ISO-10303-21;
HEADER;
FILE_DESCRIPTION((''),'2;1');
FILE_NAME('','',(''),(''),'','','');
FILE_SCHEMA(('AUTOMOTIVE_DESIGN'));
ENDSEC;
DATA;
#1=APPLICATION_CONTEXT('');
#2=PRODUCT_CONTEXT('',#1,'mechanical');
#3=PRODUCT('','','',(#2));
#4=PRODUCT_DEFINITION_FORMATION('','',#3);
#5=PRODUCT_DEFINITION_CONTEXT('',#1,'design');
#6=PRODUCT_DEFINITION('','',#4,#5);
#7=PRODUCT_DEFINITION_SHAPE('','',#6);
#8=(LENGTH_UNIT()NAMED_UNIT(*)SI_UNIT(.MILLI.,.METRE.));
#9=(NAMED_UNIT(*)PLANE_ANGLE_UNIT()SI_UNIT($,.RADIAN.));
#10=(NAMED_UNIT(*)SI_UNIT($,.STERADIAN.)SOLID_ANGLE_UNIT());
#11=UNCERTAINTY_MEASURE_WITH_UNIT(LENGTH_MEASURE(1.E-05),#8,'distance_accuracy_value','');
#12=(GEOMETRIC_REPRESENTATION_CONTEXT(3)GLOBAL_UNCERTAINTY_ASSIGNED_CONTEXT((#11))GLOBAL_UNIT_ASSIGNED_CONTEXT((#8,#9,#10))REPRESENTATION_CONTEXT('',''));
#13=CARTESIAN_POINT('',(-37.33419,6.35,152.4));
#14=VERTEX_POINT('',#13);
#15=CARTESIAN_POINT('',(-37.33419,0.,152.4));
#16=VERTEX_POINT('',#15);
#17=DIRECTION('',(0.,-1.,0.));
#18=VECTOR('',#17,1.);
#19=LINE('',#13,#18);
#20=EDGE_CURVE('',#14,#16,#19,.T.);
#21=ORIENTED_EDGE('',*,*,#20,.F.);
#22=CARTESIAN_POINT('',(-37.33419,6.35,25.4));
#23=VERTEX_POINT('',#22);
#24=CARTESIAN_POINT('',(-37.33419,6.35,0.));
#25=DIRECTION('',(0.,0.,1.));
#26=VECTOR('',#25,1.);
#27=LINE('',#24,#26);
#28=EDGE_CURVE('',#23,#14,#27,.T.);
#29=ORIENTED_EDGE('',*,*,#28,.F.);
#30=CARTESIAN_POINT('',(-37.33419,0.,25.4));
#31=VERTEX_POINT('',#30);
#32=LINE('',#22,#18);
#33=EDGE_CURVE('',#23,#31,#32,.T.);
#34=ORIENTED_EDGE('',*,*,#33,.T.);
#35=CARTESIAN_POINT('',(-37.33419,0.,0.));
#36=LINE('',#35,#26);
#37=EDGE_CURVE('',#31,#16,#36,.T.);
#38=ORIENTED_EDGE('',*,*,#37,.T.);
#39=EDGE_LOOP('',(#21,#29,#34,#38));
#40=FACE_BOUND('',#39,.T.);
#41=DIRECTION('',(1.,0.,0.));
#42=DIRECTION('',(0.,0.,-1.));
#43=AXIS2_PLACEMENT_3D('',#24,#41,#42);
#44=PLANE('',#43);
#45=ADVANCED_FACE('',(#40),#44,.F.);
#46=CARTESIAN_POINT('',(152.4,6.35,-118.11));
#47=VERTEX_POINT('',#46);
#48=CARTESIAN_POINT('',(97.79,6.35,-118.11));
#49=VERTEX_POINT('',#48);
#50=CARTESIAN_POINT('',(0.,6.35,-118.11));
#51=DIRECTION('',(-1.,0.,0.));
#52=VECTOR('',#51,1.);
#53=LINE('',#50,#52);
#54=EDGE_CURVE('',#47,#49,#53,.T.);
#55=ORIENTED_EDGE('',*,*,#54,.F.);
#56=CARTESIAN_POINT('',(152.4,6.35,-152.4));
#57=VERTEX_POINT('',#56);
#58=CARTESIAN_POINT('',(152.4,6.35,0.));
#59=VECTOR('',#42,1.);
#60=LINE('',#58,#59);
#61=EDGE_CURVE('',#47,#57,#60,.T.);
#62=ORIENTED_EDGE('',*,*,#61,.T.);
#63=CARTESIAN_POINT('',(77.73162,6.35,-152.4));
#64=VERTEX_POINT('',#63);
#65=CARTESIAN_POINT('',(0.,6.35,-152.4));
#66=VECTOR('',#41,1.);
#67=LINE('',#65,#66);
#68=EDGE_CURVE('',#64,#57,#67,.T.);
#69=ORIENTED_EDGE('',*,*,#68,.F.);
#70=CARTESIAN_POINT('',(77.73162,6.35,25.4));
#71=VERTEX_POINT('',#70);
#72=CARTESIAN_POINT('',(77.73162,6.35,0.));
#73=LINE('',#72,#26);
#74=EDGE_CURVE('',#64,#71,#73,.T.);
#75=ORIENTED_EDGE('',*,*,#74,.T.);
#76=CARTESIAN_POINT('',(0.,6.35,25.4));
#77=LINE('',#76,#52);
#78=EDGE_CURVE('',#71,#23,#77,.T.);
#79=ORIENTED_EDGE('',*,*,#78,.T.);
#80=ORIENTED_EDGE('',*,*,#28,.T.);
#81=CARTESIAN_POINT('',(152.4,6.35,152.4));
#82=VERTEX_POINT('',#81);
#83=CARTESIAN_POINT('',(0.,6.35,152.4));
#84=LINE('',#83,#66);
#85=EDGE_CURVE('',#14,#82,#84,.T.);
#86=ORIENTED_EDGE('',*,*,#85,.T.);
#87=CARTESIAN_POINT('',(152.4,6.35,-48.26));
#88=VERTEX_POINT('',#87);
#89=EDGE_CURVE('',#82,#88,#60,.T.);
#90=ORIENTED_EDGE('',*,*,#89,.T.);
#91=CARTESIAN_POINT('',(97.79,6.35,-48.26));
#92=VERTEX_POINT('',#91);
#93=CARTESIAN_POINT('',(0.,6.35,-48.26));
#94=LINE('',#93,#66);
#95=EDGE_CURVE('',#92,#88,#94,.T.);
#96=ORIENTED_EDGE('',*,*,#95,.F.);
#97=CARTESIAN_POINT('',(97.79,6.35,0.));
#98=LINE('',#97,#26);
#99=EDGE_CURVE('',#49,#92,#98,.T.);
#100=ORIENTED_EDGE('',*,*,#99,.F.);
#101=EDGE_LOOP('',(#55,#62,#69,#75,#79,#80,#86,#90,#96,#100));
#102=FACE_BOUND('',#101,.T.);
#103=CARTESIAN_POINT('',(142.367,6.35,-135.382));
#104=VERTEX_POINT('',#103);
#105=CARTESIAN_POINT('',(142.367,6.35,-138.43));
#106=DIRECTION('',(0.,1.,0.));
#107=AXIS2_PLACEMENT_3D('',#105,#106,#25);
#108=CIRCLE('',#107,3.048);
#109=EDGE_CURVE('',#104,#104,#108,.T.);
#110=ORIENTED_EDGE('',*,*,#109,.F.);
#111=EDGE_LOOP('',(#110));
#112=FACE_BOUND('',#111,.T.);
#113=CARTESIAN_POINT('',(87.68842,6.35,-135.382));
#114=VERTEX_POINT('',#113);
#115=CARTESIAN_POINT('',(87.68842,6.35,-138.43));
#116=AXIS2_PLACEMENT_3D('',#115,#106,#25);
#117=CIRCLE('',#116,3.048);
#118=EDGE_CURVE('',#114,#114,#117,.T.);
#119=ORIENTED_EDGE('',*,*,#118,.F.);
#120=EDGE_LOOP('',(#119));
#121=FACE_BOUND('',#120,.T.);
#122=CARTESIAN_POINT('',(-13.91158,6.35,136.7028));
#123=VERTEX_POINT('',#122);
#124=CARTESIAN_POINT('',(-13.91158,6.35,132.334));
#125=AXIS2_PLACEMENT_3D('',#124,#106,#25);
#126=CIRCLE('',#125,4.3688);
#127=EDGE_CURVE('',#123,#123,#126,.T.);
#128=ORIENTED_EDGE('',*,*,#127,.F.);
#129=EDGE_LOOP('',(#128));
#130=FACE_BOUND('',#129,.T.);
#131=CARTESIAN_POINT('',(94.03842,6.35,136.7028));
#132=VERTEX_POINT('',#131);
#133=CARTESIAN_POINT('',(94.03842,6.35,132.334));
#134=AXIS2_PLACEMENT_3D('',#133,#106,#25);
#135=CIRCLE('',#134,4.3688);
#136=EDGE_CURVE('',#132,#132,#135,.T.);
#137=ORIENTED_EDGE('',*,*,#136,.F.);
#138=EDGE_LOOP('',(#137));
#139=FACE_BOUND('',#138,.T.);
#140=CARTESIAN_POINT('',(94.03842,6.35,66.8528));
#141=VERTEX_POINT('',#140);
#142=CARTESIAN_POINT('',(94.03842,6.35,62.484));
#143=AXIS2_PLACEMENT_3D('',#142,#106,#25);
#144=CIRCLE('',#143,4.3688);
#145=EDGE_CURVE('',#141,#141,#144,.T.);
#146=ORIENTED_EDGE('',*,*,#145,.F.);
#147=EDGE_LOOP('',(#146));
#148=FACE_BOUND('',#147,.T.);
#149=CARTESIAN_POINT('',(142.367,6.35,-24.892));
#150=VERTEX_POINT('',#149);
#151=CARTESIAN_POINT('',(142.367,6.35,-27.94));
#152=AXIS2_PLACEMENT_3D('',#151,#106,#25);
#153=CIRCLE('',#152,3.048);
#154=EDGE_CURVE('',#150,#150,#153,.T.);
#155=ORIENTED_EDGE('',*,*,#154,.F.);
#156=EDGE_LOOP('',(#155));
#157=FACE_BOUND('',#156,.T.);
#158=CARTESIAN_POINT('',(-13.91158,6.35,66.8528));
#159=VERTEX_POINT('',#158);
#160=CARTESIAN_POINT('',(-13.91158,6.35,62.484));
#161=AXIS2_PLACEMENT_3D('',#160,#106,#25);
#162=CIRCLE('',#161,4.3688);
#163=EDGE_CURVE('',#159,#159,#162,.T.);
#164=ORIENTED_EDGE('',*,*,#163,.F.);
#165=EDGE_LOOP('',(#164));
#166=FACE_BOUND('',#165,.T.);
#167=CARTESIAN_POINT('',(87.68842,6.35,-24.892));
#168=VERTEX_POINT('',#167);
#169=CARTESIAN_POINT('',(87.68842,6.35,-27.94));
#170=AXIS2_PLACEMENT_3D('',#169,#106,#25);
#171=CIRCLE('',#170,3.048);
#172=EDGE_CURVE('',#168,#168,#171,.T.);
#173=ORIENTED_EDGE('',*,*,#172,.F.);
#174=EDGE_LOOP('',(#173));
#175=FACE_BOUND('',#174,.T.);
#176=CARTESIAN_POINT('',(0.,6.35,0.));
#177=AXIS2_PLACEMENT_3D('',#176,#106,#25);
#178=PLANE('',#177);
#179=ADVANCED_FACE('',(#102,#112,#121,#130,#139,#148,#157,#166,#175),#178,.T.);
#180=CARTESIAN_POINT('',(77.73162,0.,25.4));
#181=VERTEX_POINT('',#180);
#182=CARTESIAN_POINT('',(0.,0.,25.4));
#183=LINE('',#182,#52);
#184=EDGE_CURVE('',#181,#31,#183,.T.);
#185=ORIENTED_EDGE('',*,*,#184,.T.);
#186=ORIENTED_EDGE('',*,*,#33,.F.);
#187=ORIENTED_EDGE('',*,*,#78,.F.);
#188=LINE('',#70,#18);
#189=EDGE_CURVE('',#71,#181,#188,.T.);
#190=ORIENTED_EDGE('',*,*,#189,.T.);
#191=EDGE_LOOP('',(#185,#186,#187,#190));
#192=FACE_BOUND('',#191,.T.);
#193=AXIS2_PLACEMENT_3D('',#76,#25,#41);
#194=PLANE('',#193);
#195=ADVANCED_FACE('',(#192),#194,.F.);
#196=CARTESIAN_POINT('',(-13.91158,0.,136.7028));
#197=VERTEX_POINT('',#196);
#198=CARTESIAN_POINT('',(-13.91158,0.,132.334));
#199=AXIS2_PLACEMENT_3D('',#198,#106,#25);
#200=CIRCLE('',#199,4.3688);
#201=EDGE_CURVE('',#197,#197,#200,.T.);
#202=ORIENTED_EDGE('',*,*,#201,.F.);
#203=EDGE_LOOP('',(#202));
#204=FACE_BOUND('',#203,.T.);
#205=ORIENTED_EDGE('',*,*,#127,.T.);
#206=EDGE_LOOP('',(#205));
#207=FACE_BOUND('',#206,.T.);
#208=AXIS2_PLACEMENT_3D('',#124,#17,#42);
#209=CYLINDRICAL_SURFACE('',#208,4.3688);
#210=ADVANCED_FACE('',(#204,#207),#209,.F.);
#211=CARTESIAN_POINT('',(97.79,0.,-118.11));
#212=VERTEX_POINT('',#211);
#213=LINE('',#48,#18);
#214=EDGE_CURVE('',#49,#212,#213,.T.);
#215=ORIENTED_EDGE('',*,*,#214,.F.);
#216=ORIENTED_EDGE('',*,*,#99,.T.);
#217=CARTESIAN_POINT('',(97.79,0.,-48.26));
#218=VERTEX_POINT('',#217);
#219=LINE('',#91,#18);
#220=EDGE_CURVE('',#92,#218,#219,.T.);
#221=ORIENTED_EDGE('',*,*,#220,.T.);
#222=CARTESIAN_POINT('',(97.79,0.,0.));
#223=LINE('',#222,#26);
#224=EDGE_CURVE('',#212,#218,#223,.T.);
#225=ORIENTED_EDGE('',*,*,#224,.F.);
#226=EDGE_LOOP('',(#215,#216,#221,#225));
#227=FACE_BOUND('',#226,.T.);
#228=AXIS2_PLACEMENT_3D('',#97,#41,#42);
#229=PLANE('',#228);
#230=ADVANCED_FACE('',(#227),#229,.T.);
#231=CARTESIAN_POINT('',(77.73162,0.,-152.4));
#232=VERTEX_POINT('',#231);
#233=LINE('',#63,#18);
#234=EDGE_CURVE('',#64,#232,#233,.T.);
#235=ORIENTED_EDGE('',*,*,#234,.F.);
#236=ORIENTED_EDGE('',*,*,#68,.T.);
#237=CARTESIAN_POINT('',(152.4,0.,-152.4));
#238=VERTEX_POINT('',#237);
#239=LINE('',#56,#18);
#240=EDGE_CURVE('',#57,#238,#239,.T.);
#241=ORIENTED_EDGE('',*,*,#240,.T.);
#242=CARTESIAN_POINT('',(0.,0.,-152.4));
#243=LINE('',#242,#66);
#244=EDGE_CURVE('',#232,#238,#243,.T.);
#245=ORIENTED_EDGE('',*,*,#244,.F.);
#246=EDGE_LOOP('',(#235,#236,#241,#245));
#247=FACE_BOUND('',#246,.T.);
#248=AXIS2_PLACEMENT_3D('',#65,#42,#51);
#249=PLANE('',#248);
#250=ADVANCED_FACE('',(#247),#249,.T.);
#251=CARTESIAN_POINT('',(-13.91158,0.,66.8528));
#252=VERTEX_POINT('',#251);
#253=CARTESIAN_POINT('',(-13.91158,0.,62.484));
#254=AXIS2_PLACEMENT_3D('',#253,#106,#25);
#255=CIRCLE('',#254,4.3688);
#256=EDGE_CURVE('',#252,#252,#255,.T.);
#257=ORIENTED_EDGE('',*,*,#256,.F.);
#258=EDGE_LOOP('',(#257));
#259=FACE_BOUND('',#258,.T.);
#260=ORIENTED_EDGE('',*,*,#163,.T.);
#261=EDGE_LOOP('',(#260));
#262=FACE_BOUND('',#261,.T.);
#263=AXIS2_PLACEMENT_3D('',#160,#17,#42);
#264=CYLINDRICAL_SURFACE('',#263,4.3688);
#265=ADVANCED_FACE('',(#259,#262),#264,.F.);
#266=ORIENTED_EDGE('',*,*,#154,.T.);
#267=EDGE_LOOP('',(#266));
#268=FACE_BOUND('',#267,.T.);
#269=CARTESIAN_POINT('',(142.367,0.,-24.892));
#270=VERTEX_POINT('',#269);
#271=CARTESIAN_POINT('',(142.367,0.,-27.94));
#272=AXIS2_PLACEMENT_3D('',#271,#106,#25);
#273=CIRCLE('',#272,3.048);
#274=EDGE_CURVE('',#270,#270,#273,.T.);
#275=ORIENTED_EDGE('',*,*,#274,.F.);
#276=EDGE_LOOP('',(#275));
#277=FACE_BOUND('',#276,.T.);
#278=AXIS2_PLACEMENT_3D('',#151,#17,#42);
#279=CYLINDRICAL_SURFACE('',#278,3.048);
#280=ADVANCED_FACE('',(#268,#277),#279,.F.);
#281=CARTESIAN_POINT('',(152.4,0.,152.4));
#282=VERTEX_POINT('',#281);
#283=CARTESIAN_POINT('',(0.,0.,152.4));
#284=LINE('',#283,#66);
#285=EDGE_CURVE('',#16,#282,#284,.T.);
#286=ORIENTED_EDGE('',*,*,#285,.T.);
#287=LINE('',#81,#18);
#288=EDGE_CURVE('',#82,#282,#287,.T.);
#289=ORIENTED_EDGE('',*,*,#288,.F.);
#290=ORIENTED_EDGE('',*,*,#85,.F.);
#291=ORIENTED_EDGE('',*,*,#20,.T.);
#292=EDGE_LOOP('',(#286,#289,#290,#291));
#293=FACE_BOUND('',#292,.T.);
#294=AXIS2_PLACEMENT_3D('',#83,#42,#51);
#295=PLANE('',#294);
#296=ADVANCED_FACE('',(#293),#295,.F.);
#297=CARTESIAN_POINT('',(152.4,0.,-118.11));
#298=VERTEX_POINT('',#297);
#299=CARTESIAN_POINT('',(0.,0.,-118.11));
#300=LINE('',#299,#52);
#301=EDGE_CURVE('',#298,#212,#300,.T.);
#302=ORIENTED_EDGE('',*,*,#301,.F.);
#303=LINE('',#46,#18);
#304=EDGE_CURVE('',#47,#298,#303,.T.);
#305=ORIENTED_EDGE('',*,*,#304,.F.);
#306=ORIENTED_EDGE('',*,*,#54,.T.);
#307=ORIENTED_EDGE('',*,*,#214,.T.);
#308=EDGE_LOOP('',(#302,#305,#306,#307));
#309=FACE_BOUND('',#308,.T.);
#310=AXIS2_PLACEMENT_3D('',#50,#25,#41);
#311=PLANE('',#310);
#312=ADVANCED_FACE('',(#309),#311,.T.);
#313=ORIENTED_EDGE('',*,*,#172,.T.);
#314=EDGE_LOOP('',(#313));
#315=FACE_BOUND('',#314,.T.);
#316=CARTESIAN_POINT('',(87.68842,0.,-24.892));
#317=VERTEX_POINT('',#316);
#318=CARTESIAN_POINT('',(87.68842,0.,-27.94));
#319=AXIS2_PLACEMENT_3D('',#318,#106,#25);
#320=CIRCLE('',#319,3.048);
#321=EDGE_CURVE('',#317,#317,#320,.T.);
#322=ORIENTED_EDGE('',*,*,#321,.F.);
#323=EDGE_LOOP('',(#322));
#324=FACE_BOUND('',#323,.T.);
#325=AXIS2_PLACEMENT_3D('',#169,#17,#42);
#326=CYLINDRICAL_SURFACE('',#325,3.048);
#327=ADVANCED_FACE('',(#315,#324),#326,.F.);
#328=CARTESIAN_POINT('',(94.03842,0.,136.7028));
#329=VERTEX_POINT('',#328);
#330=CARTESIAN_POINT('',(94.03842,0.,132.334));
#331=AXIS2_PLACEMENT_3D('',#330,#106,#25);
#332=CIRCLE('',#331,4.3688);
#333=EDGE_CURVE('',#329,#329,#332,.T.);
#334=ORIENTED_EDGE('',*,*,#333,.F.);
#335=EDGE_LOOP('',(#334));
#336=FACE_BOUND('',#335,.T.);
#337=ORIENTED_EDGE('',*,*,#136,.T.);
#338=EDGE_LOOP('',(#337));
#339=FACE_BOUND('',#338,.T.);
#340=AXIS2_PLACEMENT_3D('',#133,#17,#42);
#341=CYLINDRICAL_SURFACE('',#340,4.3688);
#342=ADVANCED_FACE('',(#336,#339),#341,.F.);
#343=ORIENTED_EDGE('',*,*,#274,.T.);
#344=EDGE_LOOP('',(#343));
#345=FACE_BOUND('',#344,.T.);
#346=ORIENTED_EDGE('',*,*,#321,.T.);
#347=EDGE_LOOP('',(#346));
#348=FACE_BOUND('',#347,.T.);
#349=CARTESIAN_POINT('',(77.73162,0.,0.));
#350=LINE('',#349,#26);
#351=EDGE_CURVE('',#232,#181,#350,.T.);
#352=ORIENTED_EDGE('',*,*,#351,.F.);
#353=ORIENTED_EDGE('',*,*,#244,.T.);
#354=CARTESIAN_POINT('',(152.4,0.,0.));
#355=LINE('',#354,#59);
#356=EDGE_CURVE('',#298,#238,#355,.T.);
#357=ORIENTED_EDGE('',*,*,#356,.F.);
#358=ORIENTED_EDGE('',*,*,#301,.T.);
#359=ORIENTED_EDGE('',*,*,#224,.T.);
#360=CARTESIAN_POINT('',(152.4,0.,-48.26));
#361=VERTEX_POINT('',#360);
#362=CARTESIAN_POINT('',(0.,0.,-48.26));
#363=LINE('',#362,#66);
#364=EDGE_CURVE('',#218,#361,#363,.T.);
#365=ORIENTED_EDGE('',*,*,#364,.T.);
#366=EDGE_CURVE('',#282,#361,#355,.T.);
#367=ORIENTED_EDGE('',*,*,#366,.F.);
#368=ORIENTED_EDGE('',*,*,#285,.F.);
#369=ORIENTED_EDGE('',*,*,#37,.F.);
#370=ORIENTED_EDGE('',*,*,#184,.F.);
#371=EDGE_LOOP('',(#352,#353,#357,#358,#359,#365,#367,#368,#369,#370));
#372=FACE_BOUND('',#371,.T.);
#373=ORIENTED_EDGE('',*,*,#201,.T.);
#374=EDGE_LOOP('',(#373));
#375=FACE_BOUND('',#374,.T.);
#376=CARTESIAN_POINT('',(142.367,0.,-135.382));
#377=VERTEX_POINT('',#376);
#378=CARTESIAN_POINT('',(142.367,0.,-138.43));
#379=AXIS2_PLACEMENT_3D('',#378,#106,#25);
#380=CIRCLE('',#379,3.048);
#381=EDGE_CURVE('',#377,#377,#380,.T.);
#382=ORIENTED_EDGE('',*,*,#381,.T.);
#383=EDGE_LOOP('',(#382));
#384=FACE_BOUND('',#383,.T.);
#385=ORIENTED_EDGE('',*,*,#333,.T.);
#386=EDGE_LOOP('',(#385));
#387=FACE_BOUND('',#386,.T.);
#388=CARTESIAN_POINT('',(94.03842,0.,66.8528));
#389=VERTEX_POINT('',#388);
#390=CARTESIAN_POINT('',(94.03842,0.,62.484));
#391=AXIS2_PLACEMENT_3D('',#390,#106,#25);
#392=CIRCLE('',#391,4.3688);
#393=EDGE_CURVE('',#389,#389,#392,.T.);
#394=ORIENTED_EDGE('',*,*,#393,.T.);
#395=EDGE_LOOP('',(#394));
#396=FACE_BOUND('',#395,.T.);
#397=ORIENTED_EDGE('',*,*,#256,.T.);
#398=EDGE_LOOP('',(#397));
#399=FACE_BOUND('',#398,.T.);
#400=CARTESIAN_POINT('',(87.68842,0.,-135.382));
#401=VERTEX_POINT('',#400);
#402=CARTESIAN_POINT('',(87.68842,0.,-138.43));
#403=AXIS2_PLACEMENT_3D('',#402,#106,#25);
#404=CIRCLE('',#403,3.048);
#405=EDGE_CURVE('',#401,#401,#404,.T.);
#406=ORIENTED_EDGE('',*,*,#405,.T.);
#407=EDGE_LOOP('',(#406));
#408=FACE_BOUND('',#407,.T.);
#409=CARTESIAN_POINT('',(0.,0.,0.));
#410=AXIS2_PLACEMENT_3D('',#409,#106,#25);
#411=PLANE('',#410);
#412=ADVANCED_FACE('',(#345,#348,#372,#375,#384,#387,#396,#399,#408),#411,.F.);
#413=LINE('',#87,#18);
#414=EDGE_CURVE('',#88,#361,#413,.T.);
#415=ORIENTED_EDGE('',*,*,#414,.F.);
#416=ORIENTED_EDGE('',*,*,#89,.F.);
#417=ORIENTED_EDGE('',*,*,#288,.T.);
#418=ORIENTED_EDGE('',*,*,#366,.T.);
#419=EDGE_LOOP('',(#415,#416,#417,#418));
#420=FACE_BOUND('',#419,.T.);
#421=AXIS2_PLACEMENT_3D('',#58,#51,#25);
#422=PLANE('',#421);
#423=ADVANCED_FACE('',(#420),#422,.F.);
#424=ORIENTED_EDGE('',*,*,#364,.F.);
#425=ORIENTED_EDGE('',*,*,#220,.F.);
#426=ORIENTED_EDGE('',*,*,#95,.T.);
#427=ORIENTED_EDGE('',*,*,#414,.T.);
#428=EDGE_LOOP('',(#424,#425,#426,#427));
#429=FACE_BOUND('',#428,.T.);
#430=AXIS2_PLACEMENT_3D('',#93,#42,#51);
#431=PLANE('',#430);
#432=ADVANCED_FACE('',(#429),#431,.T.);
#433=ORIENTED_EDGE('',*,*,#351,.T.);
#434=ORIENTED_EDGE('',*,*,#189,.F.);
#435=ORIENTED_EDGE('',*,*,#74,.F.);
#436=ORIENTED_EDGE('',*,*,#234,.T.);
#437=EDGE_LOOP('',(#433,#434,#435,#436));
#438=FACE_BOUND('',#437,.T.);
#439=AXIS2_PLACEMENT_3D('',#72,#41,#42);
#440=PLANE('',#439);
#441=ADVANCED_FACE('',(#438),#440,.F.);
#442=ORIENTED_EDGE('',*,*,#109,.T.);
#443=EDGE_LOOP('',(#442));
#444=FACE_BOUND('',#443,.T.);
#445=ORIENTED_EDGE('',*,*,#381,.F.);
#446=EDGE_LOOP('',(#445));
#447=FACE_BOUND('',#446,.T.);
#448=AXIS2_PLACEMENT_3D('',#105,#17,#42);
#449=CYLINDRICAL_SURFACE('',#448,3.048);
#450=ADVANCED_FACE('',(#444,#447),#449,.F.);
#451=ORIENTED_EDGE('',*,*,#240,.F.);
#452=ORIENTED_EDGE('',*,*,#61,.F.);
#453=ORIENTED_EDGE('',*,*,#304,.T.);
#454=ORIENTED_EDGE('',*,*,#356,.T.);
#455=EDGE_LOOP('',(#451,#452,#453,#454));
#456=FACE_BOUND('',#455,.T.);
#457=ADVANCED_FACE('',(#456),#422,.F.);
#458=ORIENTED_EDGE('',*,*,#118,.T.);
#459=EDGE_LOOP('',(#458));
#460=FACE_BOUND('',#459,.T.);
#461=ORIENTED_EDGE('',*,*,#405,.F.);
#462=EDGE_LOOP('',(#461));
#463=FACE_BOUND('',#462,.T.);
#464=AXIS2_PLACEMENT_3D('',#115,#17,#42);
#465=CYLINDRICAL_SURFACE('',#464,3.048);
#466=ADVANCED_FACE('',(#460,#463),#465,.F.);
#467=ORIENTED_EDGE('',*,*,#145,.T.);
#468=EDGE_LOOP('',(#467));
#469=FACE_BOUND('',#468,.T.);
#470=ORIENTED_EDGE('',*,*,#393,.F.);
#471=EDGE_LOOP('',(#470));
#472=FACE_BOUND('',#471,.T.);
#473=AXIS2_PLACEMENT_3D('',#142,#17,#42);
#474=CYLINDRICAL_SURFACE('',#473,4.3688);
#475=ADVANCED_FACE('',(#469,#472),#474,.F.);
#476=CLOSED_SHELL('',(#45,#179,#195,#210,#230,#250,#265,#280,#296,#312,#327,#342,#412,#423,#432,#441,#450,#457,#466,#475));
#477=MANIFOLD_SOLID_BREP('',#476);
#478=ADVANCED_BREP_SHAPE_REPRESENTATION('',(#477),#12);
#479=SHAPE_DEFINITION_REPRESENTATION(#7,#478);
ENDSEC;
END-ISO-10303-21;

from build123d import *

# Parameters (mm, degrees)
SKETCH1_R           = 4.3688
SKETCH1_R_2         = 3.048
BOSS_EXTRUDE1_DEPTH = 6.35


with BuildPart() as part:
    # Sketch1 → Boss-Extrude1 (new body)
    with BuildSketch(Plane(origin=(0, 0, 0), x_dir=(1, 0, 0), z_dir=(0, 1, 0))):
        Polygon((152.4, 152.4), (77.73162, 152.4), (77.73162, -25.4), (-37.33419, -25.4), (-37.33419, -152.4), (152.4, -152.4), (152.4, 48.26), (97.79, 48.26), (97.79, 118.11), (152.4, 118.11), align=None)
        with Locations((-13.91158, -132.334)):
            Circle(SKETCH1_R, mode=Mode.SUBTRACT)
        with Locations((-13.91158, -62.484)):
            Circle(SKETCH1_R, mode=Mode.SUBTRACT)
        with Locations((94.03842, -132.334)):
            Circle(SKETCH1_R, mode=Mode.SUBTRACT)
        with Locations((94.03842, -62.484)):
            Circle(SKETCH1_R, mode=Mode.SUBTRACT)
        with Locations((87.68842, 27.94)):
            Circle(SKETCH1_R_2, mode=Mode.SUBTRACT)
        with Locations((142.367, 27.94)):
            Circle(SKETCH1_R_2, mode=Mode.SUBTRACT)
        with Locations((87.68842, 138.43)):
            Circle(SKETCH1_R_2, mode=Mode.SUBTRACT)
        with Locations((142.367, 138.43)):
            Circle(SKETCH1_R_2, mode=Mode.SUBTRACT)
    extrude(amount=BOSS_EXTRUDE1_DEPTH)


solid = part.part
